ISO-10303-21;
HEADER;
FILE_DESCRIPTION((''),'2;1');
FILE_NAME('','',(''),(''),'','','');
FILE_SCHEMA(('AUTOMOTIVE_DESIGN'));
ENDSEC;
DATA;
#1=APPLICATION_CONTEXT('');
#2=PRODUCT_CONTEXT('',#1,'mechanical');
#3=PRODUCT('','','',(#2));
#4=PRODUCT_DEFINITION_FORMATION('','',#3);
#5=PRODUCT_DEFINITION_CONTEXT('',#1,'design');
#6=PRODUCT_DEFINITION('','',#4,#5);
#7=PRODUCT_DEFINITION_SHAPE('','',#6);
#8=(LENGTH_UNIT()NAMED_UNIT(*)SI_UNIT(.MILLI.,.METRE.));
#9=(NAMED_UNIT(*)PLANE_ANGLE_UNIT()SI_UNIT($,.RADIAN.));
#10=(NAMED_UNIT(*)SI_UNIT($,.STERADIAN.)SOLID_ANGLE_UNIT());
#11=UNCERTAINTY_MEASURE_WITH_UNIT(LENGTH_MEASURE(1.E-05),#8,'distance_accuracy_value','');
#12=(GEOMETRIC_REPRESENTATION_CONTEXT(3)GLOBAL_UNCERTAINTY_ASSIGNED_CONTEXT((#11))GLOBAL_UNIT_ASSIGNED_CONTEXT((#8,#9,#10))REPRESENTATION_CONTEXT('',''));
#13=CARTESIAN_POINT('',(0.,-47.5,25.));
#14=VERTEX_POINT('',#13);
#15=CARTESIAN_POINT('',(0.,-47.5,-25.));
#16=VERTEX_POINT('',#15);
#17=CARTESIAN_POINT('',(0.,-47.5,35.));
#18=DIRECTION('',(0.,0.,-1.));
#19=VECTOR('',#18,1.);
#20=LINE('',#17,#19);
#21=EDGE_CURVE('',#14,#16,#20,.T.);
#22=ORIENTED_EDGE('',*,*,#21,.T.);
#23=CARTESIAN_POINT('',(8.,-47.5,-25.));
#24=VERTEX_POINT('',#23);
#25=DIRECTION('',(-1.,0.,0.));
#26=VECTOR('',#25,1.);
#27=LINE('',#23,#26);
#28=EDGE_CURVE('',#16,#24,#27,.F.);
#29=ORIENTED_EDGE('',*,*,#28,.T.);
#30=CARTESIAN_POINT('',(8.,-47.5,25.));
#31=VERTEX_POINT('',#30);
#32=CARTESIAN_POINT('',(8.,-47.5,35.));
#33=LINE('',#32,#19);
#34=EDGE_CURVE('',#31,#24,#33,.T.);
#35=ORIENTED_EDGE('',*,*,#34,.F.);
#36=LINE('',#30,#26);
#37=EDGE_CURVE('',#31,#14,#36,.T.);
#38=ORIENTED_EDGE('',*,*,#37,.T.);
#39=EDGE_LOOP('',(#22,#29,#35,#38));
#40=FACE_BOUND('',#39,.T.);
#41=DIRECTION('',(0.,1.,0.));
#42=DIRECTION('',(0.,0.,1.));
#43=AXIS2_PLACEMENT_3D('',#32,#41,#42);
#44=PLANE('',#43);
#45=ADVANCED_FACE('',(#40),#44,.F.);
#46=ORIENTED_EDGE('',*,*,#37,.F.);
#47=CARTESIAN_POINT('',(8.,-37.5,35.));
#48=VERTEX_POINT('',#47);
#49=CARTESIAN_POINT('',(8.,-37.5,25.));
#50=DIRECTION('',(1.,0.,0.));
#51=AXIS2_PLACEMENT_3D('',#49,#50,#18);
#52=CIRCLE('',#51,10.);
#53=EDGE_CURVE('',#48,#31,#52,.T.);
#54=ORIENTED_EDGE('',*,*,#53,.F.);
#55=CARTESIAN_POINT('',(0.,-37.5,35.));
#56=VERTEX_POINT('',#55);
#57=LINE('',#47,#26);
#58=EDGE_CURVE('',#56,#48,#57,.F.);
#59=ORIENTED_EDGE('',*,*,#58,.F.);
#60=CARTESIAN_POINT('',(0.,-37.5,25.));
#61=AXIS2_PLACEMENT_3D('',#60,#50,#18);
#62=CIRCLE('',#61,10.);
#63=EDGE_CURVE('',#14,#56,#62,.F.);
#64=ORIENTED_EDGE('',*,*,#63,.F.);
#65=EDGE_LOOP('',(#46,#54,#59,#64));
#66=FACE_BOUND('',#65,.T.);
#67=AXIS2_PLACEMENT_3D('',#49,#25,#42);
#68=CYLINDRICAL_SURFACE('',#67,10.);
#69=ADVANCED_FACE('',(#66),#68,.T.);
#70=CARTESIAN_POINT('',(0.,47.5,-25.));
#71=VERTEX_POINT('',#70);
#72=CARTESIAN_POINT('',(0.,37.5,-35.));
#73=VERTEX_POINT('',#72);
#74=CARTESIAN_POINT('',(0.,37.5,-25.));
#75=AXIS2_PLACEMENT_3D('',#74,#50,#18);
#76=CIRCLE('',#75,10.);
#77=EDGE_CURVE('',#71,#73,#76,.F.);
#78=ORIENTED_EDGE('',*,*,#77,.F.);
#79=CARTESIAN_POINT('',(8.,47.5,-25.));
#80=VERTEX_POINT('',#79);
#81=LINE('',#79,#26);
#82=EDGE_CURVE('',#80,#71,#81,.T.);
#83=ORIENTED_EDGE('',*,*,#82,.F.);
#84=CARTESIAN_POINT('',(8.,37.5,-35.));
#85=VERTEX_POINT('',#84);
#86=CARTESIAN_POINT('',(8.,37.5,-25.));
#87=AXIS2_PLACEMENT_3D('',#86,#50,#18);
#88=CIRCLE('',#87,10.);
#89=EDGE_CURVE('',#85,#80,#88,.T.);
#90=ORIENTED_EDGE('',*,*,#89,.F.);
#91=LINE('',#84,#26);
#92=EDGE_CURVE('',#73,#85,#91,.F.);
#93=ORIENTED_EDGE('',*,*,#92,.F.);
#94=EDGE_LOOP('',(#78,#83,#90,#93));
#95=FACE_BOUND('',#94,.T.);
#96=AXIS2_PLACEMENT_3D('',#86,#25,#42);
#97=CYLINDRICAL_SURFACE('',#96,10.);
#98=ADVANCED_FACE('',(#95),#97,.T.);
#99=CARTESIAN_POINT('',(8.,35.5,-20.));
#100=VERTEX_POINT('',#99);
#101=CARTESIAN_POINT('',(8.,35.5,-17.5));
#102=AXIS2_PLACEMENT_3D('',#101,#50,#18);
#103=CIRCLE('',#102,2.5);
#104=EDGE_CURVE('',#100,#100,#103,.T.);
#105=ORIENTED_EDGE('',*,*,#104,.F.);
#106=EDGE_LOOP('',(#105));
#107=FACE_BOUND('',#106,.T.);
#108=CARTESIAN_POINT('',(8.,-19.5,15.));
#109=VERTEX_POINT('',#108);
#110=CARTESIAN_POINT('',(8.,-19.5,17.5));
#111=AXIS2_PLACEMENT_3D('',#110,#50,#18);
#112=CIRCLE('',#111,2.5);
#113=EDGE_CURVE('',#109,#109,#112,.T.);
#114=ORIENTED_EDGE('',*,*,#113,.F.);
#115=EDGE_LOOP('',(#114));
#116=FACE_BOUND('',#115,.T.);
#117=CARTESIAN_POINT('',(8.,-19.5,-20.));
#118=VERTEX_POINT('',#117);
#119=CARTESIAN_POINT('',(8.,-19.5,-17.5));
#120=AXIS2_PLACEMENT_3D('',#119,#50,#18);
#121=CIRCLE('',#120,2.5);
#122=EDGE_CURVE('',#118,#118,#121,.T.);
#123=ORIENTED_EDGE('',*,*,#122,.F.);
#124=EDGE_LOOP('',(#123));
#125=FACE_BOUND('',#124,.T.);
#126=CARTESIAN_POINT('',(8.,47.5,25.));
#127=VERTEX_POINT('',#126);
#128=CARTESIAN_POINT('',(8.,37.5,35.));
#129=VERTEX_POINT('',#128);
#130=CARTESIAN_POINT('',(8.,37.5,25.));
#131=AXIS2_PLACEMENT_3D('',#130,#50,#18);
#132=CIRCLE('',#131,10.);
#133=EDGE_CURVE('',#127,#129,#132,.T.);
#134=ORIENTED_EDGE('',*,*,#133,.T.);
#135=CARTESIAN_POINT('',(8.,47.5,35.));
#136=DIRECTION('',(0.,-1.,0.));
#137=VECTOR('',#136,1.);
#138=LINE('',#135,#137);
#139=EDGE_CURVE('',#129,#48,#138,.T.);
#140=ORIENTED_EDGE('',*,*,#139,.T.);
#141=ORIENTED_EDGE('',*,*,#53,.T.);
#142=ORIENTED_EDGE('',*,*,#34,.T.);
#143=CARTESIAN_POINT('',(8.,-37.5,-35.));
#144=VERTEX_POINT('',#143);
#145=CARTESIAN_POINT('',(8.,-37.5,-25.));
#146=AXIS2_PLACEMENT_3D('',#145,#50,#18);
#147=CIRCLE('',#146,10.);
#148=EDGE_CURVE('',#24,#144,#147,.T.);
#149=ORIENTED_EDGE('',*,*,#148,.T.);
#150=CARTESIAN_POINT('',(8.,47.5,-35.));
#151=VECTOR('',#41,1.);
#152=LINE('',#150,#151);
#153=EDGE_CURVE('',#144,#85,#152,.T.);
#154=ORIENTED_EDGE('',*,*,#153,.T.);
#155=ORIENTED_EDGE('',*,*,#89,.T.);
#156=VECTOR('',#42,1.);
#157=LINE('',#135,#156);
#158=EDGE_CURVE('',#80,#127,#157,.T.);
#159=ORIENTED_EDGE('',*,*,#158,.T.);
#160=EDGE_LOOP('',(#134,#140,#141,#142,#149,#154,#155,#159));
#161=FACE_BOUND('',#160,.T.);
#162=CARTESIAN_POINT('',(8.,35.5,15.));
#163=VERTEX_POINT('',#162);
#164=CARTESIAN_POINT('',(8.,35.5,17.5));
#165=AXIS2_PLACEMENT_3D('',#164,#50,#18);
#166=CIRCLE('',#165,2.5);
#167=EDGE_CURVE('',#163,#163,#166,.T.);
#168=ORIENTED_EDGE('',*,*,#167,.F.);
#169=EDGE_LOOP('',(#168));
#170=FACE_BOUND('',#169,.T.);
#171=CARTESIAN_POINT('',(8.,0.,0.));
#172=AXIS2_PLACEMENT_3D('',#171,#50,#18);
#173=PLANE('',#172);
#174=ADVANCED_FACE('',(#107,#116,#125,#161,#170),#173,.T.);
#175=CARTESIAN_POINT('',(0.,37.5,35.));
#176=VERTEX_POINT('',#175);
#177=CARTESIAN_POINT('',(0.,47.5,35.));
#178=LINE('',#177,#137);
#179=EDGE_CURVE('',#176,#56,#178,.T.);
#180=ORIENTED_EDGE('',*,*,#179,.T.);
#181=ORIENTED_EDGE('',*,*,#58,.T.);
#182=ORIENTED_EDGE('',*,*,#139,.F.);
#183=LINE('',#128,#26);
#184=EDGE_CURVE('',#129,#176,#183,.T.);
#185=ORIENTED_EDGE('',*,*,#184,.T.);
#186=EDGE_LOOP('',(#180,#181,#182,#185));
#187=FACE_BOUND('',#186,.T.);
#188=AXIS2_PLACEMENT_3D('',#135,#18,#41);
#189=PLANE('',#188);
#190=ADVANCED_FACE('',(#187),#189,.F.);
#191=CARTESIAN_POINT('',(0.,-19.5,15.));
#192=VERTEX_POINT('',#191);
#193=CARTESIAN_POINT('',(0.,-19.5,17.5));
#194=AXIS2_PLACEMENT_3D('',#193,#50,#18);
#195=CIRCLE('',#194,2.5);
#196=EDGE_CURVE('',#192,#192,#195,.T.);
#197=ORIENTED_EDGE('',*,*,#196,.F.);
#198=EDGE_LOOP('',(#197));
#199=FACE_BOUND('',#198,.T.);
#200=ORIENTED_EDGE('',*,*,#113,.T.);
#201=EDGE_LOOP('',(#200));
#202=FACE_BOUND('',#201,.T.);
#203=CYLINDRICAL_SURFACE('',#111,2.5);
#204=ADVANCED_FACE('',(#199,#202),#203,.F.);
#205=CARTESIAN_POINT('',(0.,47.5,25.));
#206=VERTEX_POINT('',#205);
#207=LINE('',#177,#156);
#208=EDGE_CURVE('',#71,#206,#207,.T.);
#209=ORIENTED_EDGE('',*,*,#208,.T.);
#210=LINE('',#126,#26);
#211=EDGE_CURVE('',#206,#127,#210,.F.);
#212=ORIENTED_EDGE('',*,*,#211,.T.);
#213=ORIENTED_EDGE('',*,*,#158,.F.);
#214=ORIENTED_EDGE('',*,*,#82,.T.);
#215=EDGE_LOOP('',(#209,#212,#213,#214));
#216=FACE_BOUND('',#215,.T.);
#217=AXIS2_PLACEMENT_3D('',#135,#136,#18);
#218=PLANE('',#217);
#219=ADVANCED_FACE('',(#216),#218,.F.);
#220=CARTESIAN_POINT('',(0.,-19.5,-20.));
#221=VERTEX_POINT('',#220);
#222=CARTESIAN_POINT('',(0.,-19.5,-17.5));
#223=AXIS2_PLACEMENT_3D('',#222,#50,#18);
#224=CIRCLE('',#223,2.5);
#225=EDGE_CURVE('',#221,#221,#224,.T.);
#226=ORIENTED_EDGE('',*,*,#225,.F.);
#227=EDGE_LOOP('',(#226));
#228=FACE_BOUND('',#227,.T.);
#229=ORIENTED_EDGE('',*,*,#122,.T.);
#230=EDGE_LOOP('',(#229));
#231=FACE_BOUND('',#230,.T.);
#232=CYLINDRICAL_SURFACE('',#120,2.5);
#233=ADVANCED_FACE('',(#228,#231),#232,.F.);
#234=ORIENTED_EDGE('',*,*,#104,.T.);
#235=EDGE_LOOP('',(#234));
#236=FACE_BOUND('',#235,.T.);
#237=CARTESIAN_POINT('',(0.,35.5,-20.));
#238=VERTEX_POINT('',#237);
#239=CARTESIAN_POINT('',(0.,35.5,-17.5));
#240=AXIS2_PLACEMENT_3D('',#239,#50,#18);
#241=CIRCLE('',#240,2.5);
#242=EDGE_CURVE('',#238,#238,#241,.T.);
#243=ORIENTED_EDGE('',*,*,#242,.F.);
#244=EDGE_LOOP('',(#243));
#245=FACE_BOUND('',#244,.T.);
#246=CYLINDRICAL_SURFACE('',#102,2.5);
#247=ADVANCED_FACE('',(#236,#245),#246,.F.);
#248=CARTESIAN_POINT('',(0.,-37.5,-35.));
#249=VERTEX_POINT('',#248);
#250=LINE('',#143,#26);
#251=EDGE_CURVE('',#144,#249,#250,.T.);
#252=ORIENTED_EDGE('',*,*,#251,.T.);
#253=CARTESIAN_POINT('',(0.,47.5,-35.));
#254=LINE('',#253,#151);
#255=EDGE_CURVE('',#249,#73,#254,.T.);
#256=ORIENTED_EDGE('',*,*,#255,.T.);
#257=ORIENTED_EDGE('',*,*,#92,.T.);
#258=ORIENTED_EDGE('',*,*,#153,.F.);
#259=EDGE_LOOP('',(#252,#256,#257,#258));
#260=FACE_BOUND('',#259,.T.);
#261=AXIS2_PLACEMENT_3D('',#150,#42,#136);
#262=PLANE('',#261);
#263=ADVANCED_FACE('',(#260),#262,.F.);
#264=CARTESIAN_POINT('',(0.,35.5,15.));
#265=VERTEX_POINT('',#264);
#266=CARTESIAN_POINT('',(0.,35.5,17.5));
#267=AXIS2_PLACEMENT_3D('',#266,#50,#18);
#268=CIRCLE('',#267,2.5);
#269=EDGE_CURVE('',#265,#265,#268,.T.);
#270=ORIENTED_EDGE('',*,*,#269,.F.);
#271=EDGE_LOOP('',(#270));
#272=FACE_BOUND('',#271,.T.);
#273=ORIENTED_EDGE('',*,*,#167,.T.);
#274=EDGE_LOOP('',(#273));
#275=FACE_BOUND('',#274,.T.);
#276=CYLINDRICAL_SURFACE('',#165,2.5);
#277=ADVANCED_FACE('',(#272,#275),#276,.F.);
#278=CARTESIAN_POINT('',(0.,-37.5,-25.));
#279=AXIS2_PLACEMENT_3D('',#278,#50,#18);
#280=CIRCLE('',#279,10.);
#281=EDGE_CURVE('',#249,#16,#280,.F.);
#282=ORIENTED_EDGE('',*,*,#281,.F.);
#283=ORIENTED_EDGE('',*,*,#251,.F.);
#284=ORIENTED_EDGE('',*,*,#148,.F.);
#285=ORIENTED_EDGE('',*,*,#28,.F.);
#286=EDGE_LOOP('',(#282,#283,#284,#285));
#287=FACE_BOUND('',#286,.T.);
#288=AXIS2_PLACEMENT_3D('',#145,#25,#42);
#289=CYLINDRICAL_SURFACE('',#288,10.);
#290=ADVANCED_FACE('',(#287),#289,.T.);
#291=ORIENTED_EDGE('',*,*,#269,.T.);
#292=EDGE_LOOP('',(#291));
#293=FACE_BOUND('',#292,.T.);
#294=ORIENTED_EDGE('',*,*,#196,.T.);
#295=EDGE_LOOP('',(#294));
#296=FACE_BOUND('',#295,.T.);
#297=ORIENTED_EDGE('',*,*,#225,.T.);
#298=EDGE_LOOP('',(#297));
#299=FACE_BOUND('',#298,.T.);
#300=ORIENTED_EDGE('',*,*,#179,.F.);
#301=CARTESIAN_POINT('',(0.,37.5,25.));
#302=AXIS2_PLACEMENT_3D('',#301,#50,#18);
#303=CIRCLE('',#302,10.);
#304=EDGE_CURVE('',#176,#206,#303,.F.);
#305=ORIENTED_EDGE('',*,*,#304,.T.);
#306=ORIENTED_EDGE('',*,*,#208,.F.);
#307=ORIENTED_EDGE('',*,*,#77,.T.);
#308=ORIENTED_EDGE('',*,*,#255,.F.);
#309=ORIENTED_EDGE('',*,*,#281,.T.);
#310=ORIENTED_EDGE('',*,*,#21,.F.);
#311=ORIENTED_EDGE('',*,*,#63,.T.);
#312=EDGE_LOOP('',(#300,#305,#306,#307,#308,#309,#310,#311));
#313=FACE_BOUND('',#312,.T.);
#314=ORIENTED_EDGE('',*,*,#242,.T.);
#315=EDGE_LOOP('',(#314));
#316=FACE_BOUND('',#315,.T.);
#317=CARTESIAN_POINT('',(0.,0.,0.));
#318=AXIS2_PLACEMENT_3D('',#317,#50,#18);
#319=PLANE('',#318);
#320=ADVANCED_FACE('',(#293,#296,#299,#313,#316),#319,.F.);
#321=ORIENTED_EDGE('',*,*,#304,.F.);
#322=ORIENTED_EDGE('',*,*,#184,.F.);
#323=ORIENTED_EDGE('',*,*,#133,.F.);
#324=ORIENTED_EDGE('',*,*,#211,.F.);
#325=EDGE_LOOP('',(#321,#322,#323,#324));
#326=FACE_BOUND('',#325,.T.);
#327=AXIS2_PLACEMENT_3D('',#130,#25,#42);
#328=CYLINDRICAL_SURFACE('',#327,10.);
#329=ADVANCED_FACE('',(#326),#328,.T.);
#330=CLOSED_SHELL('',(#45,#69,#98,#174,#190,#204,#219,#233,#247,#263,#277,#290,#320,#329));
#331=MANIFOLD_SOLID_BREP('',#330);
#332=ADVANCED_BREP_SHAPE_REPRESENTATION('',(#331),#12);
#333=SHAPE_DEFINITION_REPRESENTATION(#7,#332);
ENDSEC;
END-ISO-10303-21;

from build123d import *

# Parameters (mm, degrees)
SKETCH_1_W             = 70
SKETCH_1_H             = 95
EXTRUDE_1_DEPTH        = 8
HOLE_WIZARD_M6_1_D     = 5
HOLE_WIZARD_M6_1_DEPTH = 17
HOLE_WIZARD_M6_1_TIP   = 1.502151548
FILLET_1_R             = 10


with BuildPart() as part:
    # 草图1 → 凸台-拉伸1 (new body)
    with BuildSketch(Plane(origin=(0, 0, 0), x_dir=(0, 0, -1), z_dir=(1, 0, 0))):
        Rectangle(SKETCH_1_W, SKETCH_1_H)
    extrude(amount=EXTRUDE_1_DEPTH)

    # M6 螺纹孔1
    with Locations(Plane(origin=(8, 0, 0), x_dir=(0, 0, -1), z_dir=(1, 0, 0))):
        with Locations((-17.5, 35.5), (17.5, 35.5), (-17.5, -19.5), (17.5, -19.5)):
            Hole(HOLE_WIZARD_M6_1_D / 2, depth=HOLE_WIZARD_M6_1_DEPTH)
            with Locations((0, 0, -(HOLE_WIZARD_M6_1_DEPTH + HOLE_WIZARD_M6_1_TIP / 2))):  # 118° drill point
                Cone(0, HOLE_WIZARD_M6_1_D / 2, HOLE_WIZARD_M6_1_TIP, mode=Mode.SUBTRACT)

    # 圆角1
    fillet_1_edges = [part.edges().sort_by_distance(p)[0] for p in [
        (4, 47.5, 35),
        (4, 47.5, -35),
        (4, -47.5, -35),
        (4, -47.5, 35),
    ]]
    fillet(fillet_1_edges, radius=FILLET_1_R)


solid = part.part
